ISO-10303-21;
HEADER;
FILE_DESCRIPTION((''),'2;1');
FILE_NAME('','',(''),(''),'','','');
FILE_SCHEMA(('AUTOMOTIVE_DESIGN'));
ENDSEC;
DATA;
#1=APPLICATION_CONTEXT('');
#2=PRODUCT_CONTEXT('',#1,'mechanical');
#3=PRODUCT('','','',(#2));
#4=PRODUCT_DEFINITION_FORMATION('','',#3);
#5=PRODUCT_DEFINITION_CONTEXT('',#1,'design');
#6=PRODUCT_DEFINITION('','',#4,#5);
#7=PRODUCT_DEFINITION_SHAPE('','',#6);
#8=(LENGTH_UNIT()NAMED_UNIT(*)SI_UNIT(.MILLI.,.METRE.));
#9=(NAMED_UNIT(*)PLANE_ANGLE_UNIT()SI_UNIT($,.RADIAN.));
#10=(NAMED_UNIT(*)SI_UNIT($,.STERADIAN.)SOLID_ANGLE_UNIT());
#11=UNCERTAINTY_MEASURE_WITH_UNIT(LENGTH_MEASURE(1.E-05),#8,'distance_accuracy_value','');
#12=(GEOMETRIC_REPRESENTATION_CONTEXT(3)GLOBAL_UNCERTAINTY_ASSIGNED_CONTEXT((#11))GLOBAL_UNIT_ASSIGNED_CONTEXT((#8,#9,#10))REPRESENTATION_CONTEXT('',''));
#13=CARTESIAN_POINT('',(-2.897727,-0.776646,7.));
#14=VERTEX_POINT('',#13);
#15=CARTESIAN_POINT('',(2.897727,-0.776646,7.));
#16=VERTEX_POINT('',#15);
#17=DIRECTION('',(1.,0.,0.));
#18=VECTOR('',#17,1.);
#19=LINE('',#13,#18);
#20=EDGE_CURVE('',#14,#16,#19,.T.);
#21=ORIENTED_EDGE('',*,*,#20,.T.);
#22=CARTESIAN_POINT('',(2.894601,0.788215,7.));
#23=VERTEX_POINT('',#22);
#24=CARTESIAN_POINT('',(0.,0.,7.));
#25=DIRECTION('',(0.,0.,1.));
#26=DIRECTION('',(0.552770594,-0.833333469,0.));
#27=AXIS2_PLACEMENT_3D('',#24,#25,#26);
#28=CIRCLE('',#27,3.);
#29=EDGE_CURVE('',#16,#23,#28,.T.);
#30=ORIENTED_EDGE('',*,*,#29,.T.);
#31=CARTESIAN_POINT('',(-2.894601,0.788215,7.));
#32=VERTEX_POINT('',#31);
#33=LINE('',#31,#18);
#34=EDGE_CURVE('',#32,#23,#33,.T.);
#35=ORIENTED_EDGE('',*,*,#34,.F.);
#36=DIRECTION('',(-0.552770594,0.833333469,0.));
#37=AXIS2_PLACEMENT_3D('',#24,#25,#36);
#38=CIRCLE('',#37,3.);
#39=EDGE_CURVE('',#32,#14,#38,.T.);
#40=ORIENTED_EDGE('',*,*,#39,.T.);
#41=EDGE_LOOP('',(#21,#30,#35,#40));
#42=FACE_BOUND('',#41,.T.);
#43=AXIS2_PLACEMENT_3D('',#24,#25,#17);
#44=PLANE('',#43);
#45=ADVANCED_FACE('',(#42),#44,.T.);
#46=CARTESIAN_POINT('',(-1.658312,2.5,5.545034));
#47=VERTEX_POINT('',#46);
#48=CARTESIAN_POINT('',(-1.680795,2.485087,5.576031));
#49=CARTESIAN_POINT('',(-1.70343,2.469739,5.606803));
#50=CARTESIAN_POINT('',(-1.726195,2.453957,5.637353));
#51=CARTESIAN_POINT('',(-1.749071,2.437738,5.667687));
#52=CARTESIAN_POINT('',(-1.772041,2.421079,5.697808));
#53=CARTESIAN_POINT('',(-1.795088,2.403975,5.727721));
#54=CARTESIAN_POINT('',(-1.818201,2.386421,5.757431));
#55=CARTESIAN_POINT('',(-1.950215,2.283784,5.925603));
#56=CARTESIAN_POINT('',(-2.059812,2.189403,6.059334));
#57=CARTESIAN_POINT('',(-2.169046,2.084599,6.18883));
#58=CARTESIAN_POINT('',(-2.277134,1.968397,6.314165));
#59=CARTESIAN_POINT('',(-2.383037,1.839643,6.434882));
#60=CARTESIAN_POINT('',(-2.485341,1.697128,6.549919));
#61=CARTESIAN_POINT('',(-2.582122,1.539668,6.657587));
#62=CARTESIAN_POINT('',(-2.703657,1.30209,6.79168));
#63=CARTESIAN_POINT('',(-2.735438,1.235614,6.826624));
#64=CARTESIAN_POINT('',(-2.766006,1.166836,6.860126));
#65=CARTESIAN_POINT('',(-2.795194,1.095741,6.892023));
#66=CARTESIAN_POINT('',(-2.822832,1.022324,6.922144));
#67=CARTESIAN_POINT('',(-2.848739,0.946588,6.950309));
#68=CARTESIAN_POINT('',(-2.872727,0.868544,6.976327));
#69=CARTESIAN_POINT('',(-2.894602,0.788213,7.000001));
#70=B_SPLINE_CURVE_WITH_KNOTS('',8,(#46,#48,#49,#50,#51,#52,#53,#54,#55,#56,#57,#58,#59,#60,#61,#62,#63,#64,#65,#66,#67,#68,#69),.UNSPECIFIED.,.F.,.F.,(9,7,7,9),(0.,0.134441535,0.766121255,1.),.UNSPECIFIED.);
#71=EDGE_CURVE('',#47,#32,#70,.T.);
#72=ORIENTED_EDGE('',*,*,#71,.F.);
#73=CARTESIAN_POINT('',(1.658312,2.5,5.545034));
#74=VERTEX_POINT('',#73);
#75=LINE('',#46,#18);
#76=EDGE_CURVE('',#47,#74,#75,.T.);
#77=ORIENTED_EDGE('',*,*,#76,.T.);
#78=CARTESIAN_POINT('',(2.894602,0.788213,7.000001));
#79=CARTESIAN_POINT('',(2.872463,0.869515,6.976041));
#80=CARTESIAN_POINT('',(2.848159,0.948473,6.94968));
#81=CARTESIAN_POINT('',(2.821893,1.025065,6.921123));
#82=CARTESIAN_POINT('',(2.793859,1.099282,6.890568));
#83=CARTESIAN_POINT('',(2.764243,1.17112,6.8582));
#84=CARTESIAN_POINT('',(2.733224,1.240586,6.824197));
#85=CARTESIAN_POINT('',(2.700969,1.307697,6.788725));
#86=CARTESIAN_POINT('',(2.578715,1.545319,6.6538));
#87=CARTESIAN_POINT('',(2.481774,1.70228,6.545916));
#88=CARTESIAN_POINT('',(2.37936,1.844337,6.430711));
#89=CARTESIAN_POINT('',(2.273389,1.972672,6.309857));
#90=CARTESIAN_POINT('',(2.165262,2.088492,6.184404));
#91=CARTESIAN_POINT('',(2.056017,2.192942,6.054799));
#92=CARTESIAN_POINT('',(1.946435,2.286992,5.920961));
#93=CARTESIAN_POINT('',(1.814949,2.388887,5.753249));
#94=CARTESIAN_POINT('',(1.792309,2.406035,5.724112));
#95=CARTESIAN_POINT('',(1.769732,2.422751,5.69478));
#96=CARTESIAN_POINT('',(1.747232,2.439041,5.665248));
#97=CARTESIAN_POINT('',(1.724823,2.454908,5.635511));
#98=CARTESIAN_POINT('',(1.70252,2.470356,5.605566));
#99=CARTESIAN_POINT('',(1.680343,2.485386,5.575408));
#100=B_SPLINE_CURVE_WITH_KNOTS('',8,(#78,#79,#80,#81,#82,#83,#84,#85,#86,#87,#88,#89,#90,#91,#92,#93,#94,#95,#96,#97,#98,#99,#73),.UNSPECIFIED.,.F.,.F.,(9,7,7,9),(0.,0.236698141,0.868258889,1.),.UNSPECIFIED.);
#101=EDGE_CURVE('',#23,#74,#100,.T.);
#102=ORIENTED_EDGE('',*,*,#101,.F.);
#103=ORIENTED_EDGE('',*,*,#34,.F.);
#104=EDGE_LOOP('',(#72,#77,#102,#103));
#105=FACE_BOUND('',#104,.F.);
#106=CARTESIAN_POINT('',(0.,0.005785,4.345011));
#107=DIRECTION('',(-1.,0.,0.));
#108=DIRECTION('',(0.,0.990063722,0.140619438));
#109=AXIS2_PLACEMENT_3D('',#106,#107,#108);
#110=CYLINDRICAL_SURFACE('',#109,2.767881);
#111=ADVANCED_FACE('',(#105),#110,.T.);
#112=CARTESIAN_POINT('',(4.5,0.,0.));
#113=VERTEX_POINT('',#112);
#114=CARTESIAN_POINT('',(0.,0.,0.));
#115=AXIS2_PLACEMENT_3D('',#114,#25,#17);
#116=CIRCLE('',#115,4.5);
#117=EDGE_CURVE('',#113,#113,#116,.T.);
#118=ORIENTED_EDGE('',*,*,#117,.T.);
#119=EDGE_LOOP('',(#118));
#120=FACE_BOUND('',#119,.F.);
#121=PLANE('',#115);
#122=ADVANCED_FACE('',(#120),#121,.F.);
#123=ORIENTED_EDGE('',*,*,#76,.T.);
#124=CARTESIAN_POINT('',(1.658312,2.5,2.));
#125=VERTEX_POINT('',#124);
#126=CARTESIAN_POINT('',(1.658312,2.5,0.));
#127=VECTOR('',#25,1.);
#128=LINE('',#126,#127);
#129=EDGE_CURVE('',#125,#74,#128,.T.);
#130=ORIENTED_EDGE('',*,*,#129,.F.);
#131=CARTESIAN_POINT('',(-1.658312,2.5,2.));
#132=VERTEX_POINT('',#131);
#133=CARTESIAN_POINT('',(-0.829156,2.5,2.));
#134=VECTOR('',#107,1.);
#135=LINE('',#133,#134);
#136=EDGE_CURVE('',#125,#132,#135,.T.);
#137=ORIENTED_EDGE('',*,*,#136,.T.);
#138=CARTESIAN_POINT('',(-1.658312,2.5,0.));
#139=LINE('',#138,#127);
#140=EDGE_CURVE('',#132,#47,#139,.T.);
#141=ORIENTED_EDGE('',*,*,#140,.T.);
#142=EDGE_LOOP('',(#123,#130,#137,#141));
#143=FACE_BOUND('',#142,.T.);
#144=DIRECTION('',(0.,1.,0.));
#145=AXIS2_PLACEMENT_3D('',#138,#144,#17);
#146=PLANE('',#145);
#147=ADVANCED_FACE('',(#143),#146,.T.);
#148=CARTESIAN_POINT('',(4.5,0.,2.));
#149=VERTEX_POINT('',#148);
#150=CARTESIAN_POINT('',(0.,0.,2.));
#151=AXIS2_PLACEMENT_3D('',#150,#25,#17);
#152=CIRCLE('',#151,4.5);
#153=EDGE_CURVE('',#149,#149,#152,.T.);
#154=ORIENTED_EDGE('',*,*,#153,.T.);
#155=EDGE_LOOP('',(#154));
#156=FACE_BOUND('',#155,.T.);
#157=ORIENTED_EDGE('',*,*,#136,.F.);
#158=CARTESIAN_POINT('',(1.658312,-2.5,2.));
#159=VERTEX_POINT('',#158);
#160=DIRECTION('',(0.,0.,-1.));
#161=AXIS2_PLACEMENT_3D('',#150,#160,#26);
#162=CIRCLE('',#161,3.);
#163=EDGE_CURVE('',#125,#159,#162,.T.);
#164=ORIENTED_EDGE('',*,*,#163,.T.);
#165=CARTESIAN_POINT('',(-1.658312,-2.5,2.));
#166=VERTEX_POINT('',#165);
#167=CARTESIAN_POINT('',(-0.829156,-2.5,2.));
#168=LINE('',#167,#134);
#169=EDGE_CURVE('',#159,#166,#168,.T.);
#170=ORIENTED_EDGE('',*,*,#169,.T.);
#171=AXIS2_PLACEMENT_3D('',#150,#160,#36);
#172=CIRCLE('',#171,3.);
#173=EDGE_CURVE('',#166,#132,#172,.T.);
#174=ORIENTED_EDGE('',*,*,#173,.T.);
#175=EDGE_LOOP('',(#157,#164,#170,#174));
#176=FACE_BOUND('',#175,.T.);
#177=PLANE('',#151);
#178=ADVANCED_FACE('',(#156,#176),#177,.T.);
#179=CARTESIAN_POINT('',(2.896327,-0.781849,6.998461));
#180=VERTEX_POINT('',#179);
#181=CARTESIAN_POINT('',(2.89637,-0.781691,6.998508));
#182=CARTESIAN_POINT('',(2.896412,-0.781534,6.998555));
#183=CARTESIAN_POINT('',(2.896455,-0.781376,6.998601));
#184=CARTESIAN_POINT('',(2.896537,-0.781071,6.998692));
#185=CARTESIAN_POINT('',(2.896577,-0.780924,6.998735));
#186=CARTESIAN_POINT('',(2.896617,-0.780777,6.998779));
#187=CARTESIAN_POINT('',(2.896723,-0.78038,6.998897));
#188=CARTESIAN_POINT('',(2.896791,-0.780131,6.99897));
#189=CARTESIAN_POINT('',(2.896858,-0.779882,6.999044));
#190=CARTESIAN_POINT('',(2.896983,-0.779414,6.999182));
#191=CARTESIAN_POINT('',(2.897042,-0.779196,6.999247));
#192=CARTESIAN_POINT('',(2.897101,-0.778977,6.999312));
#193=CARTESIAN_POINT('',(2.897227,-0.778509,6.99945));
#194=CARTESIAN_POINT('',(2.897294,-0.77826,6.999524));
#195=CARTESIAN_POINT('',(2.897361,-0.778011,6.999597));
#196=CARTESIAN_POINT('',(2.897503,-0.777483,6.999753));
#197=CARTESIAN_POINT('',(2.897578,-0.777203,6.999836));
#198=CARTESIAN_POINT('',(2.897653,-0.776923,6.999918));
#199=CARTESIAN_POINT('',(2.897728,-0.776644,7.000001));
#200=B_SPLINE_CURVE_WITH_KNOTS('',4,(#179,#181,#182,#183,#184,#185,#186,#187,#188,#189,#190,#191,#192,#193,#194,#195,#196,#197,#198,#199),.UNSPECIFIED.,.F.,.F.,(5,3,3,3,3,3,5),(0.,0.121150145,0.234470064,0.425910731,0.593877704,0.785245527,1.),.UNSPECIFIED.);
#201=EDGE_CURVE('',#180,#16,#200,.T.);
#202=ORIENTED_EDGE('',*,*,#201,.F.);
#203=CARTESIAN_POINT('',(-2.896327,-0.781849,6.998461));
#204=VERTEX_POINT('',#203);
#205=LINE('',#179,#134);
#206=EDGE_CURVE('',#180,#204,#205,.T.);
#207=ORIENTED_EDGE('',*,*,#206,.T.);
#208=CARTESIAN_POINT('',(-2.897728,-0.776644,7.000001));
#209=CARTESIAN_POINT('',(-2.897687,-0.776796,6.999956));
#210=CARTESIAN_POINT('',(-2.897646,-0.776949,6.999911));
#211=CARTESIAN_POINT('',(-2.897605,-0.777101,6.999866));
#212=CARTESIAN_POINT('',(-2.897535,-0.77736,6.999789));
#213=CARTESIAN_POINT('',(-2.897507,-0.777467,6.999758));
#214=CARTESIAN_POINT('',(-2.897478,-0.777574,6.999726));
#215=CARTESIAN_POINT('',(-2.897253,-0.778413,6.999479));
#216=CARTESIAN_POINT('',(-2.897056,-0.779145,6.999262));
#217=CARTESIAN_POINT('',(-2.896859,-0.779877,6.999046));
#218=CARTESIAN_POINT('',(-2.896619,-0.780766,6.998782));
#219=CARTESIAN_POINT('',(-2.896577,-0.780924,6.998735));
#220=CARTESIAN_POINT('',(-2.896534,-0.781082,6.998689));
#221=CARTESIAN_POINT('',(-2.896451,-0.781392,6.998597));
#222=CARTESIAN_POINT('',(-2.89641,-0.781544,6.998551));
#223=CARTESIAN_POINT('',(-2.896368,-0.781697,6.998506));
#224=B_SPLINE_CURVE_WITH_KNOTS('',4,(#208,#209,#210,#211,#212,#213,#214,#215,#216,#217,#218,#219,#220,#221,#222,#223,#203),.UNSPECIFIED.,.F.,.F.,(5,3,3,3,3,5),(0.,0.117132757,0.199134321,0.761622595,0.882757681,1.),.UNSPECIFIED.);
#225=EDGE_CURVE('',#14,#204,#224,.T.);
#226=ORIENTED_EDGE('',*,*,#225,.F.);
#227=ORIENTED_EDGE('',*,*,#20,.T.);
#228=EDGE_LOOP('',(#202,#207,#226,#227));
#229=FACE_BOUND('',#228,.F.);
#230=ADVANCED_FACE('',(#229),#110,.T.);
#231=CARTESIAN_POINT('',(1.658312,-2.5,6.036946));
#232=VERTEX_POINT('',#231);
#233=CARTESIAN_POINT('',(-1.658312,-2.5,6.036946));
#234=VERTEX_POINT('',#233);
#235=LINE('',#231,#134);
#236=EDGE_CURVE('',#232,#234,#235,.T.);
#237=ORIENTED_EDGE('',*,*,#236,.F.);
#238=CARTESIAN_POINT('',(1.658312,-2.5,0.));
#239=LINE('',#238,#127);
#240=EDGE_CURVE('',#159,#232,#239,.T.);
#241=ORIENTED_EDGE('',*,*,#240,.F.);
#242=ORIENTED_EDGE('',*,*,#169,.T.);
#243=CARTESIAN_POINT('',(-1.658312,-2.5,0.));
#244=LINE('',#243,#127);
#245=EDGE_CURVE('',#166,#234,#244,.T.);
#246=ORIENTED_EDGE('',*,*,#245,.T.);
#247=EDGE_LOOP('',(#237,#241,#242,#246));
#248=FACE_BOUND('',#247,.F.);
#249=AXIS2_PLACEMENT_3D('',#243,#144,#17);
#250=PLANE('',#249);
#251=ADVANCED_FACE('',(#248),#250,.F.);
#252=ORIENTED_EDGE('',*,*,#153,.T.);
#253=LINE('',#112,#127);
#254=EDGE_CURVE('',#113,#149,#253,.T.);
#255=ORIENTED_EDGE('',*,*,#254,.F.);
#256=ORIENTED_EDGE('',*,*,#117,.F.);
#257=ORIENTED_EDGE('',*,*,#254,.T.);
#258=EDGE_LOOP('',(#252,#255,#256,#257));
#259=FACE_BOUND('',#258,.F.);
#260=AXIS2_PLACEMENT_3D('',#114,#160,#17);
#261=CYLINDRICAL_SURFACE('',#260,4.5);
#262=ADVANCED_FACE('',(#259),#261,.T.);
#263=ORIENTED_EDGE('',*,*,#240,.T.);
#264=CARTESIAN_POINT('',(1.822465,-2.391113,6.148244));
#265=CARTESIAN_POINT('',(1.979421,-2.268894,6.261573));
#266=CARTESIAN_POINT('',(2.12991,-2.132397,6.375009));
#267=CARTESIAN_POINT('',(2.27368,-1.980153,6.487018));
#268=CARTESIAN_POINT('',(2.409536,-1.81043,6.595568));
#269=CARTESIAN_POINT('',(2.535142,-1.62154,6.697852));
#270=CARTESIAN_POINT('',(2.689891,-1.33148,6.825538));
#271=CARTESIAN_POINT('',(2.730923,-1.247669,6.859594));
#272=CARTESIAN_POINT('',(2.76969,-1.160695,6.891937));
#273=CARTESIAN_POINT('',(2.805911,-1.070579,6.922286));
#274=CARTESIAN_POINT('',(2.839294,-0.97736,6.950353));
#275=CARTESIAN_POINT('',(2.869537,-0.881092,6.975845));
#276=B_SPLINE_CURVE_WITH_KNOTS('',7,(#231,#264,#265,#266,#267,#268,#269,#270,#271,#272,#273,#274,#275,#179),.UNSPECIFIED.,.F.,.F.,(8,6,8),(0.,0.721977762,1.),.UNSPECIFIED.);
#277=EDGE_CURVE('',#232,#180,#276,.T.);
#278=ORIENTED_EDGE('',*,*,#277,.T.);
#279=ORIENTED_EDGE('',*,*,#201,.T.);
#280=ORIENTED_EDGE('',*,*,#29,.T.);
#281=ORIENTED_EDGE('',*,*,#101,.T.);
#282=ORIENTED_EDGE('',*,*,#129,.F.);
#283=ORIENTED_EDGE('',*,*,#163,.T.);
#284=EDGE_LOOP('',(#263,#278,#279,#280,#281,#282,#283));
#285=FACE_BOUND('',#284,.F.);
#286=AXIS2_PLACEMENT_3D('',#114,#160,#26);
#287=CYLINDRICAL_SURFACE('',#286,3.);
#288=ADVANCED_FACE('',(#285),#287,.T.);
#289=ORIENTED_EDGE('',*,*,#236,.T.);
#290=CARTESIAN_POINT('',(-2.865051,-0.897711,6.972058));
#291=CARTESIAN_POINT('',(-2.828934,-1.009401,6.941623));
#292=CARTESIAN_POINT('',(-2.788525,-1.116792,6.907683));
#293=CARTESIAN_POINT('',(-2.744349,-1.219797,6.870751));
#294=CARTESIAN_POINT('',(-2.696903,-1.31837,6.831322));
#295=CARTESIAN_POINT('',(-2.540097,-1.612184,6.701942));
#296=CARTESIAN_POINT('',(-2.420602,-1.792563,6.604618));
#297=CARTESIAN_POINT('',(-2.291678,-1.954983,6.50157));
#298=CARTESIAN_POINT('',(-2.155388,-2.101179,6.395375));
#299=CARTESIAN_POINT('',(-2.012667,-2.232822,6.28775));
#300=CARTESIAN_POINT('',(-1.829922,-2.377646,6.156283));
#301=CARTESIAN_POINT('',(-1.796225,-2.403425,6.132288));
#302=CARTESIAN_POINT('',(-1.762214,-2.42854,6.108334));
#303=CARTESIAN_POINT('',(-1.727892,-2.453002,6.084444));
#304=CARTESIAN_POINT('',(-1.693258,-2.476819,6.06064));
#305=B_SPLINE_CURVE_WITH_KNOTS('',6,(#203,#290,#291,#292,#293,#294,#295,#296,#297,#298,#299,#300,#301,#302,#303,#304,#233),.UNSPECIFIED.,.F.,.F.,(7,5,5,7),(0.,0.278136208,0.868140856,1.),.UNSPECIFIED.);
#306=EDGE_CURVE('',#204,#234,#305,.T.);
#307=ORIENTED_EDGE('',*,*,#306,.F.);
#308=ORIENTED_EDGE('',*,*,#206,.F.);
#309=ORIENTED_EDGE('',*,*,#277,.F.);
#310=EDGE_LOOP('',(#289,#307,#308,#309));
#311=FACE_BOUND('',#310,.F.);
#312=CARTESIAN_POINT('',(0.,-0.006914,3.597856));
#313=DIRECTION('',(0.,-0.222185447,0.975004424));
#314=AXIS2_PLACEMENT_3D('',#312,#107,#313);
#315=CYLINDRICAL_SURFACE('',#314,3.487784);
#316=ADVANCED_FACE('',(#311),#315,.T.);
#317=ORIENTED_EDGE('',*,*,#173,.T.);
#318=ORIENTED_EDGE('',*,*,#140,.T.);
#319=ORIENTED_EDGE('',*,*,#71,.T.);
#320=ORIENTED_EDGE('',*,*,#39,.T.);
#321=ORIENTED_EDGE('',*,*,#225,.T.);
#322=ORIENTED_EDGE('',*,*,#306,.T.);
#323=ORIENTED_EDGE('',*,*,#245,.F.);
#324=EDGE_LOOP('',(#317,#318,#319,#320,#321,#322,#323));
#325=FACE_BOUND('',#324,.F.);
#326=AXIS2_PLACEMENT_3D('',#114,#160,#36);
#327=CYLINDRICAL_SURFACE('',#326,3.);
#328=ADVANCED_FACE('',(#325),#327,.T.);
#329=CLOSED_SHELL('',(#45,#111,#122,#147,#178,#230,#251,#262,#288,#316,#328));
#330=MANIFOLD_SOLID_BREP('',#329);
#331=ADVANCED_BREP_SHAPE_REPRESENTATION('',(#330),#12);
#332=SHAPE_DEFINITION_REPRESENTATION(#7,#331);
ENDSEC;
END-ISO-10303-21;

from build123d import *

# Parameters (mm, degrees)
SKETCH_R          = 4.5
PAD_DEPTH         = 2
PAD001_DEPTH      = 7
POCKET_DEPTH      = 4.501
POCKET_DEPTH_BACK = -4.501


with BuildPart() as part:
    # Sketch → Pad (new body)
    with BuildSketch(Plane.XY):
        Circle(SKETCH_R)
    extrude(amount=PAD_DEPTH)

    # Sketch001 → Pad001 (join)
    with BuildSketch(Plane.XY):
        with BuildLine():
            ThreePointArc((-1.658312, 2.5), (-3, 0), (-1.658312, -2.5))
            Line((-1.658312, -2.5), (1.658312, -2.5))
            ThreePointArc((1.658312, -2.5), (3, 0), (1.658312, 2.5))
            Line((-1.658312, 2.5), (1.658312, 2.5))
        make_face()
    extrude(amount=PAD001_DEPTH)

    # Sketch002 → Pocket (cut, two sides)
    with BuildSketch(Plane.YZ) as pocket_sk:
        with BuildLine():
            ThreePointArc((2.746163, 4.734229), (1.500773, 6.674426), (-0.781849, 6.998461))
            ThreePointArc((-0.781849, 6.998461), (-1.981292, 6.473003), (-2.90242, 5.542254))
            Line((-4.129342, 5.542254), (-2.90242, 5.542254))
            Line((-4.129342, 6.557363), (-4.129342, 5.542254))
            Line((-4.129342, 8.966747), (-4.129342, 6.557363))
            Line((2.746163, 8.966747), (-4.129342, 8.966747))
            Line((2.746163, 4.734229), (2.746163, 8.966747))
        make_face()
    extrude(amount=-POCKET_DEPTH, mode=Mode.SUBTRACT)
    extrude(pocket_sk.sketch, amount=-POCKET_DEPTH_BACK, mode=Mode.SUBTRACT)


solid = part.part
